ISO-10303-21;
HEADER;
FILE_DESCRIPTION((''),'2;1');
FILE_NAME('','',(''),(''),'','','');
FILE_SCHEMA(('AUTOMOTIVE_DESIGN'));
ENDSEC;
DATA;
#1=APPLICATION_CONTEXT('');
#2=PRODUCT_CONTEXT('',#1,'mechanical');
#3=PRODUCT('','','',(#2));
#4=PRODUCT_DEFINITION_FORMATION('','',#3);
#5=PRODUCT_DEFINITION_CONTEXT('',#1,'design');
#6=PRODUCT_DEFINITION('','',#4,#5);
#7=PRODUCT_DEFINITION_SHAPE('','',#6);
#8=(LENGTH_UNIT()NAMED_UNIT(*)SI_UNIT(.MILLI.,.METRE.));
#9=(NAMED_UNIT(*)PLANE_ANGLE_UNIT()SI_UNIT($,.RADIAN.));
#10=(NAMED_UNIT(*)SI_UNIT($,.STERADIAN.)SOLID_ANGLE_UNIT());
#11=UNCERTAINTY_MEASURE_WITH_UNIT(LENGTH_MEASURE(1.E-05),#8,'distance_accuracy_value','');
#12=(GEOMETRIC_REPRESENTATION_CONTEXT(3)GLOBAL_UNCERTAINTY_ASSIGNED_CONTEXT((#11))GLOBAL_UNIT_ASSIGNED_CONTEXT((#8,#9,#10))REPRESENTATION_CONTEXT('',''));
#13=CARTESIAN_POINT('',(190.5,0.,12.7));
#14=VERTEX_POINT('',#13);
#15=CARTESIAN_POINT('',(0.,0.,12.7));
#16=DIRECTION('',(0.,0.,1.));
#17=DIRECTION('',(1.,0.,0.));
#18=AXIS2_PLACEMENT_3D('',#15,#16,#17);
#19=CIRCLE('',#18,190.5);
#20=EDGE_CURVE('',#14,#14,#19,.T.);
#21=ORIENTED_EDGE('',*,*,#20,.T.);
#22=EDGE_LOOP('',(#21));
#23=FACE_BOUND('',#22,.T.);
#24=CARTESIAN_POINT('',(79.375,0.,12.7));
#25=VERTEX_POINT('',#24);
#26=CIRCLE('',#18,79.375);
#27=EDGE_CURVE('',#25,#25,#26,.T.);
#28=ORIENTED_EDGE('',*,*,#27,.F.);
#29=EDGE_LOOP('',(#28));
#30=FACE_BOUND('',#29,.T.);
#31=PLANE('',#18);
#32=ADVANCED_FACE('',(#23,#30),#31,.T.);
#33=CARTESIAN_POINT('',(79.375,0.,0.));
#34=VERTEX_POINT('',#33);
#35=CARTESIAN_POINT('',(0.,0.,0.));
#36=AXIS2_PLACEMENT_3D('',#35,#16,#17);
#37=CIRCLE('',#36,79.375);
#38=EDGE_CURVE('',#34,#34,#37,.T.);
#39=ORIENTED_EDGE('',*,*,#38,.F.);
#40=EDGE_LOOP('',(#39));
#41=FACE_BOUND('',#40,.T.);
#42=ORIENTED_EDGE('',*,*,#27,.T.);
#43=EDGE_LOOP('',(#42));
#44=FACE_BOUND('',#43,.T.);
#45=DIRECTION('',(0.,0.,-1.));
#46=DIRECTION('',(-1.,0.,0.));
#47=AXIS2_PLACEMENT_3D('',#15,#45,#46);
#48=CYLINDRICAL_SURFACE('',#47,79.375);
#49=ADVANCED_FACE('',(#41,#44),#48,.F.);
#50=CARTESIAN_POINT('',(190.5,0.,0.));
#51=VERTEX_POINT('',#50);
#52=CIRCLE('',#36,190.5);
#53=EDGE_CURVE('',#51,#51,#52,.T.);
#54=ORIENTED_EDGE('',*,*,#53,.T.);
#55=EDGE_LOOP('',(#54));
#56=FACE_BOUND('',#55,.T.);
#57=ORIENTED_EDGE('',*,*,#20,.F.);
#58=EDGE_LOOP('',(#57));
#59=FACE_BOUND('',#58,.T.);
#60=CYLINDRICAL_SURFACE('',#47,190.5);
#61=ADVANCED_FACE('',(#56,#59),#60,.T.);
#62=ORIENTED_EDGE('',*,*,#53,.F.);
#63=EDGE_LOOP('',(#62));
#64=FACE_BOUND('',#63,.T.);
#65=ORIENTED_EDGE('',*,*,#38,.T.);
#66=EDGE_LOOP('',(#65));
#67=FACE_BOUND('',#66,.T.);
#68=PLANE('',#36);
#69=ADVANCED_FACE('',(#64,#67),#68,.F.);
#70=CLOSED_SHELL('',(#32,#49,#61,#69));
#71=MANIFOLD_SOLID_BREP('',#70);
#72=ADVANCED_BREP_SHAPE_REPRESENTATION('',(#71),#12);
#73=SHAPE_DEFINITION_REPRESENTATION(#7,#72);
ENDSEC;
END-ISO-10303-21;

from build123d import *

# Parameters (mm, degrees)
SKETCH1_R           = 190.5
SKETCH1_R_2         = 79.375
BOSS_EXTRUDE1_DEPTH = 12.7


with BuildPart() as part:
    # Sketch1 → Boss-Extrude1 (new body)
    with BuildSketch(Plane.XY):
        Circle(SKETCH1_R)
        Circle(SKETCH1_R_2, mode=Mode.SUBTRACT)
    extrude(amount=BOSS_EXTRUDE1_DEPTH)


solid = part.part
